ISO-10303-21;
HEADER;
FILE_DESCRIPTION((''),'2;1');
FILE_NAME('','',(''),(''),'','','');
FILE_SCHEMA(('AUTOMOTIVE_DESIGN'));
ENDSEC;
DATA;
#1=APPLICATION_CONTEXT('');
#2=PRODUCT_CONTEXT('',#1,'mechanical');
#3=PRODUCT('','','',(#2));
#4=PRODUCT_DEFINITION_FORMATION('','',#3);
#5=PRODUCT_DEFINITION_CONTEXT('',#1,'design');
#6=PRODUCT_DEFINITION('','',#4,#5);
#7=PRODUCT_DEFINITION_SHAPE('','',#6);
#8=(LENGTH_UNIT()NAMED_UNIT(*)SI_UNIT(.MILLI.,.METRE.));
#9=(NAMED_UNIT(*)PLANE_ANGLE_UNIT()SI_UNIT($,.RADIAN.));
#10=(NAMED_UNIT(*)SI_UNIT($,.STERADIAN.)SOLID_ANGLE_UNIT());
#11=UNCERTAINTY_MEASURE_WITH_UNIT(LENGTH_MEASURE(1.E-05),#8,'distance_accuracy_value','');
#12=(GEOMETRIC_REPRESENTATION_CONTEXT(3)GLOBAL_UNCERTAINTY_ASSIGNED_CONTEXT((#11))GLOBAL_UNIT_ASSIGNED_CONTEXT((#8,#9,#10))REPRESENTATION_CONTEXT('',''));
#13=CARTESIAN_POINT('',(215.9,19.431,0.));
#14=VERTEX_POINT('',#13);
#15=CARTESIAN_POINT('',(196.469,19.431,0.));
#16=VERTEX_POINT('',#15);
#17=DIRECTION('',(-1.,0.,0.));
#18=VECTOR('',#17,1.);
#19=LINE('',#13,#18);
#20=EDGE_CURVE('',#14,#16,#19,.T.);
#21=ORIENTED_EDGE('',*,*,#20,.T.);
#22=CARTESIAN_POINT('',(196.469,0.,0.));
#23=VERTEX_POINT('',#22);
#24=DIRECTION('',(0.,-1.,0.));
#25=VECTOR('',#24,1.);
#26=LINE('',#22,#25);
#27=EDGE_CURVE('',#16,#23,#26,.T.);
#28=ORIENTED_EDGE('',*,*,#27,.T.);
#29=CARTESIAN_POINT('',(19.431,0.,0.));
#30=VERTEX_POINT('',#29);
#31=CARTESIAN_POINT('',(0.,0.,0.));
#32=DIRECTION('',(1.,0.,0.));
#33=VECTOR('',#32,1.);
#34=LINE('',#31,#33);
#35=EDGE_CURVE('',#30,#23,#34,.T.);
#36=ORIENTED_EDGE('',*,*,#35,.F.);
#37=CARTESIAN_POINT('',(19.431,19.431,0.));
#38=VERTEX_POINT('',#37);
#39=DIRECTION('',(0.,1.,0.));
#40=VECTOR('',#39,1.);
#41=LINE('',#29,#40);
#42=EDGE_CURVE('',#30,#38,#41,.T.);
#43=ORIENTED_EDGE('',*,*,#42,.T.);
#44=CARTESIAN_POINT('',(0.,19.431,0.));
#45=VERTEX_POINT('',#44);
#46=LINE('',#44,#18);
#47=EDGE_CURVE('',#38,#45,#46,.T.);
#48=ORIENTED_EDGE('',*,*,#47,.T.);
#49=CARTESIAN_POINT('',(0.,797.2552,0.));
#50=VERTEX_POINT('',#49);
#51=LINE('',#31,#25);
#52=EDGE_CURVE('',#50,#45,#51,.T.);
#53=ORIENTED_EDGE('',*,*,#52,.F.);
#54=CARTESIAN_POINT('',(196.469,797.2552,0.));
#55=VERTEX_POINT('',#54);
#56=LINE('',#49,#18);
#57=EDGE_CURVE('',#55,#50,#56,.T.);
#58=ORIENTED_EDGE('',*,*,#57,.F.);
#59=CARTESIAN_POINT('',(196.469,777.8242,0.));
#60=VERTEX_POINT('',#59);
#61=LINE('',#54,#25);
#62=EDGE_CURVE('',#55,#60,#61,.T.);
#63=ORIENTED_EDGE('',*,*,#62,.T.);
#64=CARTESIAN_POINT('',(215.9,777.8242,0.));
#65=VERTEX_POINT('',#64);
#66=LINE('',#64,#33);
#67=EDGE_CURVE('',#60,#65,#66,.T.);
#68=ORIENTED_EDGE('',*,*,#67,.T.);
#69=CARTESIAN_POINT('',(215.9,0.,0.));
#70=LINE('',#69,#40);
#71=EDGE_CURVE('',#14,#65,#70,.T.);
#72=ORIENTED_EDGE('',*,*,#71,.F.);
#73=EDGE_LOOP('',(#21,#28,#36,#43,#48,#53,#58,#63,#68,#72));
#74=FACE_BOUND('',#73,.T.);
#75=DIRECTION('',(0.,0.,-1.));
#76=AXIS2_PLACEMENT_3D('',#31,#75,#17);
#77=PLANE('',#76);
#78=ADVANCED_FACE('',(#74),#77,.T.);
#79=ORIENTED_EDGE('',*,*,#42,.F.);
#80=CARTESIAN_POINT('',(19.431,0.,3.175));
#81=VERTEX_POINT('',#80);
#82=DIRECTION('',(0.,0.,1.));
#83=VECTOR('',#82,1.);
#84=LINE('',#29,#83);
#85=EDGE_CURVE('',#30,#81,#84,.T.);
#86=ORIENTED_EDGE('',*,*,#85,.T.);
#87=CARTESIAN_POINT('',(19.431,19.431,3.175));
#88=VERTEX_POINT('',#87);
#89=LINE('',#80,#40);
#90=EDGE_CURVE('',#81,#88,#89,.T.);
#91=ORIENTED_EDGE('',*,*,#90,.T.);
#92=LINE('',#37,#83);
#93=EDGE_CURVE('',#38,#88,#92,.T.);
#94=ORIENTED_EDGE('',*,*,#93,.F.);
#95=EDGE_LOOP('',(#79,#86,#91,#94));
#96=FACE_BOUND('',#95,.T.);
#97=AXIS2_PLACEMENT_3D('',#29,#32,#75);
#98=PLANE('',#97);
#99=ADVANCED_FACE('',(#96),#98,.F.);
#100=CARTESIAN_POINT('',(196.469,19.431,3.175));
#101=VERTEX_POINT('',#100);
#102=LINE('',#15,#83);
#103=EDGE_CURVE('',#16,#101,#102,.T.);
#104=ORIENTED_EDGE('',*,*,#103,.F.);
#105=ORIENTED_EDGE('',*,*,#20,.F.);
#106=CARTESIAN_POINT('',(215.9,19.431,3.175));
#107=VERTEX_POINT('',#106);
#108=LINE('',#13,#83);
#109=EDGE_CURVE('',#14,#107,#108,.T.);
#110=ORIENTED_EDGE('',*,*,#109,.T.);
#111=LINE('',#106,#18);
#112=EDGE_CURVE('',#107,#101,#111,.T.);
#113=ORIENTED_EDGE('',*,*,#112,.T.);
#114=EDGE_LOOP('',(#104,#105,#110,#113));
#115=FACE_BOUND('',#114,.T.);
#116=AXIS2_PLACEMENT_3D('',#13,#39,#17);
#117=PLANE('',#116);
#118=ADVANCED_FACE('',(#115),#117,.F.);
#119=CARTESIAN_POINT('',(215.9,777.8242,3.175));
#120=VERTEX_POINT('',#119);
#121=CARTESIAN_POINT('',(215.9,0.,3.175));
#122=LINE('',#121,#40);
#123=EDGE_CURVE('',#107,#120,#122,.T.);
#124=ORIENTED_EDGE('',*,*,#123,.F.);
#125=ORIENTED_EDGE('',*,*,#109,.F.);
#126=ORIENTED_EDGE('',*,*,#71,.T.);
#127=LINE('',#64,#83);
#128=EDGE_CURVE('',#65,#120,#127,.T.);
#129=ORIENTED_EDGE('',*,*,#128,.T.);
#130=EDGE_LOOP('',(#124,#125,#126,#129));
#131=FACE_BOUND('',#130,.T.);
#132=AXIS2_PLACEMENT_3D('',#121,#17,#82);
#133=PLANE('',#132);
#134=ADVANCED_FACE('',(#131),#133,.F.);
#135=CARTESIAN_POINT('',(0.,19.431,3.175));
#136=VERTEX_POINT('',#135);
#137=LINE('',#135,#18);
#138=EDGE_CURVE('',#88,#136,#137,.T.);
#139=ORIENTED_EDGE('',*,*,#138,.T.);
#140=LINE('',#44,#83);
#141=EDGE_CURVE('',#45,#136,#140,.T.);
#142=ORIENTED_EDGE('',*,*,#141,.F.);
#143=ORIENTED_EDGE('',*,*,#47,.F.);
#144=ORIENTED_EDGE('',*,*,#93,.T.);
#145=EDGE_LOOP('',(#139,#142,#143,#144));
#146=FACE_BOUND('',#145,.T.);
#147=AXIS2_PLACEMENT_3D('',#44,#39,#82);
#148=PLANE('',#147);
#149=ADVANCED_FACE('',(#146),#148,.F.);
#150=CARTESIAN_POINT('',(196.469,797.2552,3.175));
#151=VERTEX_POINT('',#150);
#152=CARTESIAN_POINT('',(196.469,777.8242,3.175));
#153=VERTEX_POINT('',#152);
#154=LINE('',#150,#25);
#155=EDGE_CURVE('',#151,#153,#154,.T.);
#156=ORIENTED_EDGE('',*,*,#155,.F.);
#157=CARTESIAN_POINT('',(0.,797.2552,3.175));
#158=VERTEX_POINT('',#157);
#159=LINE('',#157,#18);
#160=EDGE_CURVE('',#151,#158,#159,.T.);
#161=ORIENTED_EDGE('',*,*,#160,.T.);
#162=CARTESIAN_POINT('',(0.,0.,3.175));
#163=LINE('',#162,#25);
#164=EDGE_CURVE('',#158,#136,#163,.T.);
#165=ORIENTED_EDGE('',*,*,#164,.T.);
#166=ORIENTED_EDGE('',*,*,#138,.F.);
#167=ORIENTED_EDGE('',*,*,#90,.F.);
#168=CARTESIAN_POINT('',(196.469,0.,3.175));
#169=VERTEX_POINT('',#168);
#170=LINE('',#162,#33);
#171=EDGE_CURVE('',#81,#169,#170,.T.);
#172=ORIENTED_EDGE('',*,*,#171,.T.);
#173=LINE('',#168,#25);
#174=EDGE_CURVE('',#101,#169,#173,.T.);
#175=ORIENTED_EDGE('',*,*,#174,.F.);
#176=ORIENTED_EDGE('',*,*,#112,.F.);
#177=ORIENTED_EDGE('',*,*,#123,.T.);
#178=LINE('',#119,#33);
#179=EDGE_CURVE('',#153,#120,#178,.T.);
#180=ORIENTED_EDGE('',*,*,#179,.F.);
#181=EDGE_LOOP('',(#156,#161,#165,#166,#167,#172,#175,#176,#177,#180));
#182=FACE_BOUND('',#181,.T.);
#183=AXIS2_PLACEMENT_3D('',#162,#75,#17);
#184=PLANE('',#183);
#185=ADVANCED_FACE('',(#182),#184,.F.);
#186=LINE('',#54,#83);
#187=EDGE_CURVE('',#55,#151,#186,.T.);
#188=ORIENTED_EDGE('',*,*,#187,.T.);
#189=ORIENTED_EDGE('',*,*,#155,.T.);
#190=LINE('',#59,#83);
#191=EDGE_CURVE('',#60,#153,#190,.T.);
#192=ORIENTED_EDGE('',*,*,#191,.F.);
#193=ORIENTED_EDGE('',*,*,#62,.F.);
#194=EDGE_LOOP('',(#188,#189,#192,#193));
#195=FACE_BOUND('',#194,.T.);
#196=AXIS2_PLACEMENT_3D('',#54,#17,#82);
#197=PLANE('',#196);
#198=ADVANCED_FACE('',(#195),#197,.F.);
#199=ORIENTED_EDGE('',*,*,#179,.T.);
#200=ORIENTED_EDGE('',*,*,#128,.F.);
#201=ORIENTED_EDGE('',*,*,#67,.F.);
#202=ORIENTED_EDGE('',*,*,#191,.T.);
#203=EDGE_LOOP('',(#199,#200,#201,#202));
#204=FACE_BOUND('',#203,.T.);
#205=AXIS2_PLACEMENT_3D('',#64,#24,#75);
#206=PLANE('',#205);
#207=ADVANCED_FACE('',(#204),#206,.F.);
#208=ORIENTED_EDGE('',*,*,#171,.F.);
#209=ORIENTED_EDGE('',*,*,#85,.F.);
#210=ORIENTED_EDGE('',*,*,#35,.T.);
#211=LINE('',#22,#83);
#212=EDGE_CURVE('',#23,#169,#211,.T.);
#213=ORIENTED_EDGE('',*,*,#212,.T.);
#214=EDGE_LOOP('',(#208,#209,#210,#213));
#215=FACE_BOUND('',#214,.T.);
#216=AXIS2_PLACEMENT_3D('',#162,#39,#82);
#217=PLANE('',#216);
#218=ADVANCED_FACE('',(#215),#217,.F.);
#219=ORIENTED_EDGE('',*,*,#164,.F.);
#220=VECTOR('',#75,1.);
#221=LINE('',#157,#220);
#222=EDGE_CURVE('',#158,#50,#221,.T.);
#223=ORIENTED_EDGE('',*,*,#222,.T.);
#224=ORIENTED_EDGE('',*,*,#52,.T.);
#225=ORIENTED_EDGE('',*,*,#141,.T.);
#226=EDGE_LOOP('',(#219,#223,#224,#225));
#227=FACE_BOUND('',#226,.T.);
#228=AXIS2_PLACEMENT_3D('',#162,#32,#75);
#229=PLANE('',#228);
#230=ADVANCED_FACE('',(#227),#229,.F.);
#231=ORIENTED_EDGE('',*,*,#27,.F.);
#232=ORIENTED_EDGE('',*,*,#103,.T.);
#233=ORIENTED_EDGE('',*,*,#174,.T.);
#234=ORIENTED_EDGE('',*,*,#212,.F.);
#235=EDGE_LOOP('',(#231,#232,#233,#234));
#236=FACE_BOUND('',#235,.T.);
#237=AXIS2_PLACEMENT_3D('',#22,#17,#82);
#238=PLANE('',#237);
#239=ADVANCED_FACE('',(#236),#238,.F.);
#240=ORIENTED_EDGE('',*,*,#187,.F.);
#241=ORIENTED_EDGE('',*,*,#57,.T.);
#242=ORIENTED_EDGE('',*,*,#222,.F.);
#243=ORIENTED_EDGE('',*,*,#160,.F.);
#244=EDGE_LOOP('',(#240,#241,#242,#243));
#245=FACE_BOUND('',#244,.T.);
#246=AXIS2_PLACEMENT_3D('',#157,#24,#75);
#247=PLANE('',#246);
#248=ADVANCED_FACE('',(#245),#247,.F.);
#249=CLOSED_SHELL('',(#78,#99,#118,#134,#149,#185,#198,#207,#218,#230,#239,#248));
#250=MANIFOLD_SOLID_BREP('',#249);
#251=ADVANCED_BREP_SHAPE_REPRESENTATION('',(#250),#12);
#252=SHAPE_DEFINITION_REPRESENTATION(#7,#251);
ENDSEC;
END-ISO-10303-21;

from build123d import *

# Parameters (mm, degrees)
SKETCH1_W           = 215.9
SKETCH1_H           = 797.2552
BOSS_EXTRUDE1_DEPTH = 3.175
SKETCH2_W           = 19.431
SKETCH2_H           = 19.431
CUT_EXTRUDE1_DEPTH  = 4.175


with BuildPart() as part:
    # Sketch1 → Boss-Extrude1 (new body)
    with BuildSketch(Plane.XY):
        with Locations((107.95, 398.6276)):
            Rectangle(SKETCH1_W, SKETCH1_H)
    extrude(amount=BOSS_EXTRUDE1_DEPTH)

    # Sketch2 → Cut-Extrude1 (cut, through all)
    with BuildSketch(Plane.XY.offset(3.175)):
        with Locations((206.1845, 787.5397)):
            Rectangle(SKETCH2_W, SKETCH2_H)
        with Locations((206.1845, 9.7155)):
            Rectangle(SKETCH2_W, SKETCH2_H)
        with Locations((9.7155, 9.7155)):
            Rectangle(SKETCH2_W, SKETCH2_H)
    extrude(amount=-CUT_EXTRUDE1_DEPTH, mode=Mode.SUBTRACT)


solid = part.part
